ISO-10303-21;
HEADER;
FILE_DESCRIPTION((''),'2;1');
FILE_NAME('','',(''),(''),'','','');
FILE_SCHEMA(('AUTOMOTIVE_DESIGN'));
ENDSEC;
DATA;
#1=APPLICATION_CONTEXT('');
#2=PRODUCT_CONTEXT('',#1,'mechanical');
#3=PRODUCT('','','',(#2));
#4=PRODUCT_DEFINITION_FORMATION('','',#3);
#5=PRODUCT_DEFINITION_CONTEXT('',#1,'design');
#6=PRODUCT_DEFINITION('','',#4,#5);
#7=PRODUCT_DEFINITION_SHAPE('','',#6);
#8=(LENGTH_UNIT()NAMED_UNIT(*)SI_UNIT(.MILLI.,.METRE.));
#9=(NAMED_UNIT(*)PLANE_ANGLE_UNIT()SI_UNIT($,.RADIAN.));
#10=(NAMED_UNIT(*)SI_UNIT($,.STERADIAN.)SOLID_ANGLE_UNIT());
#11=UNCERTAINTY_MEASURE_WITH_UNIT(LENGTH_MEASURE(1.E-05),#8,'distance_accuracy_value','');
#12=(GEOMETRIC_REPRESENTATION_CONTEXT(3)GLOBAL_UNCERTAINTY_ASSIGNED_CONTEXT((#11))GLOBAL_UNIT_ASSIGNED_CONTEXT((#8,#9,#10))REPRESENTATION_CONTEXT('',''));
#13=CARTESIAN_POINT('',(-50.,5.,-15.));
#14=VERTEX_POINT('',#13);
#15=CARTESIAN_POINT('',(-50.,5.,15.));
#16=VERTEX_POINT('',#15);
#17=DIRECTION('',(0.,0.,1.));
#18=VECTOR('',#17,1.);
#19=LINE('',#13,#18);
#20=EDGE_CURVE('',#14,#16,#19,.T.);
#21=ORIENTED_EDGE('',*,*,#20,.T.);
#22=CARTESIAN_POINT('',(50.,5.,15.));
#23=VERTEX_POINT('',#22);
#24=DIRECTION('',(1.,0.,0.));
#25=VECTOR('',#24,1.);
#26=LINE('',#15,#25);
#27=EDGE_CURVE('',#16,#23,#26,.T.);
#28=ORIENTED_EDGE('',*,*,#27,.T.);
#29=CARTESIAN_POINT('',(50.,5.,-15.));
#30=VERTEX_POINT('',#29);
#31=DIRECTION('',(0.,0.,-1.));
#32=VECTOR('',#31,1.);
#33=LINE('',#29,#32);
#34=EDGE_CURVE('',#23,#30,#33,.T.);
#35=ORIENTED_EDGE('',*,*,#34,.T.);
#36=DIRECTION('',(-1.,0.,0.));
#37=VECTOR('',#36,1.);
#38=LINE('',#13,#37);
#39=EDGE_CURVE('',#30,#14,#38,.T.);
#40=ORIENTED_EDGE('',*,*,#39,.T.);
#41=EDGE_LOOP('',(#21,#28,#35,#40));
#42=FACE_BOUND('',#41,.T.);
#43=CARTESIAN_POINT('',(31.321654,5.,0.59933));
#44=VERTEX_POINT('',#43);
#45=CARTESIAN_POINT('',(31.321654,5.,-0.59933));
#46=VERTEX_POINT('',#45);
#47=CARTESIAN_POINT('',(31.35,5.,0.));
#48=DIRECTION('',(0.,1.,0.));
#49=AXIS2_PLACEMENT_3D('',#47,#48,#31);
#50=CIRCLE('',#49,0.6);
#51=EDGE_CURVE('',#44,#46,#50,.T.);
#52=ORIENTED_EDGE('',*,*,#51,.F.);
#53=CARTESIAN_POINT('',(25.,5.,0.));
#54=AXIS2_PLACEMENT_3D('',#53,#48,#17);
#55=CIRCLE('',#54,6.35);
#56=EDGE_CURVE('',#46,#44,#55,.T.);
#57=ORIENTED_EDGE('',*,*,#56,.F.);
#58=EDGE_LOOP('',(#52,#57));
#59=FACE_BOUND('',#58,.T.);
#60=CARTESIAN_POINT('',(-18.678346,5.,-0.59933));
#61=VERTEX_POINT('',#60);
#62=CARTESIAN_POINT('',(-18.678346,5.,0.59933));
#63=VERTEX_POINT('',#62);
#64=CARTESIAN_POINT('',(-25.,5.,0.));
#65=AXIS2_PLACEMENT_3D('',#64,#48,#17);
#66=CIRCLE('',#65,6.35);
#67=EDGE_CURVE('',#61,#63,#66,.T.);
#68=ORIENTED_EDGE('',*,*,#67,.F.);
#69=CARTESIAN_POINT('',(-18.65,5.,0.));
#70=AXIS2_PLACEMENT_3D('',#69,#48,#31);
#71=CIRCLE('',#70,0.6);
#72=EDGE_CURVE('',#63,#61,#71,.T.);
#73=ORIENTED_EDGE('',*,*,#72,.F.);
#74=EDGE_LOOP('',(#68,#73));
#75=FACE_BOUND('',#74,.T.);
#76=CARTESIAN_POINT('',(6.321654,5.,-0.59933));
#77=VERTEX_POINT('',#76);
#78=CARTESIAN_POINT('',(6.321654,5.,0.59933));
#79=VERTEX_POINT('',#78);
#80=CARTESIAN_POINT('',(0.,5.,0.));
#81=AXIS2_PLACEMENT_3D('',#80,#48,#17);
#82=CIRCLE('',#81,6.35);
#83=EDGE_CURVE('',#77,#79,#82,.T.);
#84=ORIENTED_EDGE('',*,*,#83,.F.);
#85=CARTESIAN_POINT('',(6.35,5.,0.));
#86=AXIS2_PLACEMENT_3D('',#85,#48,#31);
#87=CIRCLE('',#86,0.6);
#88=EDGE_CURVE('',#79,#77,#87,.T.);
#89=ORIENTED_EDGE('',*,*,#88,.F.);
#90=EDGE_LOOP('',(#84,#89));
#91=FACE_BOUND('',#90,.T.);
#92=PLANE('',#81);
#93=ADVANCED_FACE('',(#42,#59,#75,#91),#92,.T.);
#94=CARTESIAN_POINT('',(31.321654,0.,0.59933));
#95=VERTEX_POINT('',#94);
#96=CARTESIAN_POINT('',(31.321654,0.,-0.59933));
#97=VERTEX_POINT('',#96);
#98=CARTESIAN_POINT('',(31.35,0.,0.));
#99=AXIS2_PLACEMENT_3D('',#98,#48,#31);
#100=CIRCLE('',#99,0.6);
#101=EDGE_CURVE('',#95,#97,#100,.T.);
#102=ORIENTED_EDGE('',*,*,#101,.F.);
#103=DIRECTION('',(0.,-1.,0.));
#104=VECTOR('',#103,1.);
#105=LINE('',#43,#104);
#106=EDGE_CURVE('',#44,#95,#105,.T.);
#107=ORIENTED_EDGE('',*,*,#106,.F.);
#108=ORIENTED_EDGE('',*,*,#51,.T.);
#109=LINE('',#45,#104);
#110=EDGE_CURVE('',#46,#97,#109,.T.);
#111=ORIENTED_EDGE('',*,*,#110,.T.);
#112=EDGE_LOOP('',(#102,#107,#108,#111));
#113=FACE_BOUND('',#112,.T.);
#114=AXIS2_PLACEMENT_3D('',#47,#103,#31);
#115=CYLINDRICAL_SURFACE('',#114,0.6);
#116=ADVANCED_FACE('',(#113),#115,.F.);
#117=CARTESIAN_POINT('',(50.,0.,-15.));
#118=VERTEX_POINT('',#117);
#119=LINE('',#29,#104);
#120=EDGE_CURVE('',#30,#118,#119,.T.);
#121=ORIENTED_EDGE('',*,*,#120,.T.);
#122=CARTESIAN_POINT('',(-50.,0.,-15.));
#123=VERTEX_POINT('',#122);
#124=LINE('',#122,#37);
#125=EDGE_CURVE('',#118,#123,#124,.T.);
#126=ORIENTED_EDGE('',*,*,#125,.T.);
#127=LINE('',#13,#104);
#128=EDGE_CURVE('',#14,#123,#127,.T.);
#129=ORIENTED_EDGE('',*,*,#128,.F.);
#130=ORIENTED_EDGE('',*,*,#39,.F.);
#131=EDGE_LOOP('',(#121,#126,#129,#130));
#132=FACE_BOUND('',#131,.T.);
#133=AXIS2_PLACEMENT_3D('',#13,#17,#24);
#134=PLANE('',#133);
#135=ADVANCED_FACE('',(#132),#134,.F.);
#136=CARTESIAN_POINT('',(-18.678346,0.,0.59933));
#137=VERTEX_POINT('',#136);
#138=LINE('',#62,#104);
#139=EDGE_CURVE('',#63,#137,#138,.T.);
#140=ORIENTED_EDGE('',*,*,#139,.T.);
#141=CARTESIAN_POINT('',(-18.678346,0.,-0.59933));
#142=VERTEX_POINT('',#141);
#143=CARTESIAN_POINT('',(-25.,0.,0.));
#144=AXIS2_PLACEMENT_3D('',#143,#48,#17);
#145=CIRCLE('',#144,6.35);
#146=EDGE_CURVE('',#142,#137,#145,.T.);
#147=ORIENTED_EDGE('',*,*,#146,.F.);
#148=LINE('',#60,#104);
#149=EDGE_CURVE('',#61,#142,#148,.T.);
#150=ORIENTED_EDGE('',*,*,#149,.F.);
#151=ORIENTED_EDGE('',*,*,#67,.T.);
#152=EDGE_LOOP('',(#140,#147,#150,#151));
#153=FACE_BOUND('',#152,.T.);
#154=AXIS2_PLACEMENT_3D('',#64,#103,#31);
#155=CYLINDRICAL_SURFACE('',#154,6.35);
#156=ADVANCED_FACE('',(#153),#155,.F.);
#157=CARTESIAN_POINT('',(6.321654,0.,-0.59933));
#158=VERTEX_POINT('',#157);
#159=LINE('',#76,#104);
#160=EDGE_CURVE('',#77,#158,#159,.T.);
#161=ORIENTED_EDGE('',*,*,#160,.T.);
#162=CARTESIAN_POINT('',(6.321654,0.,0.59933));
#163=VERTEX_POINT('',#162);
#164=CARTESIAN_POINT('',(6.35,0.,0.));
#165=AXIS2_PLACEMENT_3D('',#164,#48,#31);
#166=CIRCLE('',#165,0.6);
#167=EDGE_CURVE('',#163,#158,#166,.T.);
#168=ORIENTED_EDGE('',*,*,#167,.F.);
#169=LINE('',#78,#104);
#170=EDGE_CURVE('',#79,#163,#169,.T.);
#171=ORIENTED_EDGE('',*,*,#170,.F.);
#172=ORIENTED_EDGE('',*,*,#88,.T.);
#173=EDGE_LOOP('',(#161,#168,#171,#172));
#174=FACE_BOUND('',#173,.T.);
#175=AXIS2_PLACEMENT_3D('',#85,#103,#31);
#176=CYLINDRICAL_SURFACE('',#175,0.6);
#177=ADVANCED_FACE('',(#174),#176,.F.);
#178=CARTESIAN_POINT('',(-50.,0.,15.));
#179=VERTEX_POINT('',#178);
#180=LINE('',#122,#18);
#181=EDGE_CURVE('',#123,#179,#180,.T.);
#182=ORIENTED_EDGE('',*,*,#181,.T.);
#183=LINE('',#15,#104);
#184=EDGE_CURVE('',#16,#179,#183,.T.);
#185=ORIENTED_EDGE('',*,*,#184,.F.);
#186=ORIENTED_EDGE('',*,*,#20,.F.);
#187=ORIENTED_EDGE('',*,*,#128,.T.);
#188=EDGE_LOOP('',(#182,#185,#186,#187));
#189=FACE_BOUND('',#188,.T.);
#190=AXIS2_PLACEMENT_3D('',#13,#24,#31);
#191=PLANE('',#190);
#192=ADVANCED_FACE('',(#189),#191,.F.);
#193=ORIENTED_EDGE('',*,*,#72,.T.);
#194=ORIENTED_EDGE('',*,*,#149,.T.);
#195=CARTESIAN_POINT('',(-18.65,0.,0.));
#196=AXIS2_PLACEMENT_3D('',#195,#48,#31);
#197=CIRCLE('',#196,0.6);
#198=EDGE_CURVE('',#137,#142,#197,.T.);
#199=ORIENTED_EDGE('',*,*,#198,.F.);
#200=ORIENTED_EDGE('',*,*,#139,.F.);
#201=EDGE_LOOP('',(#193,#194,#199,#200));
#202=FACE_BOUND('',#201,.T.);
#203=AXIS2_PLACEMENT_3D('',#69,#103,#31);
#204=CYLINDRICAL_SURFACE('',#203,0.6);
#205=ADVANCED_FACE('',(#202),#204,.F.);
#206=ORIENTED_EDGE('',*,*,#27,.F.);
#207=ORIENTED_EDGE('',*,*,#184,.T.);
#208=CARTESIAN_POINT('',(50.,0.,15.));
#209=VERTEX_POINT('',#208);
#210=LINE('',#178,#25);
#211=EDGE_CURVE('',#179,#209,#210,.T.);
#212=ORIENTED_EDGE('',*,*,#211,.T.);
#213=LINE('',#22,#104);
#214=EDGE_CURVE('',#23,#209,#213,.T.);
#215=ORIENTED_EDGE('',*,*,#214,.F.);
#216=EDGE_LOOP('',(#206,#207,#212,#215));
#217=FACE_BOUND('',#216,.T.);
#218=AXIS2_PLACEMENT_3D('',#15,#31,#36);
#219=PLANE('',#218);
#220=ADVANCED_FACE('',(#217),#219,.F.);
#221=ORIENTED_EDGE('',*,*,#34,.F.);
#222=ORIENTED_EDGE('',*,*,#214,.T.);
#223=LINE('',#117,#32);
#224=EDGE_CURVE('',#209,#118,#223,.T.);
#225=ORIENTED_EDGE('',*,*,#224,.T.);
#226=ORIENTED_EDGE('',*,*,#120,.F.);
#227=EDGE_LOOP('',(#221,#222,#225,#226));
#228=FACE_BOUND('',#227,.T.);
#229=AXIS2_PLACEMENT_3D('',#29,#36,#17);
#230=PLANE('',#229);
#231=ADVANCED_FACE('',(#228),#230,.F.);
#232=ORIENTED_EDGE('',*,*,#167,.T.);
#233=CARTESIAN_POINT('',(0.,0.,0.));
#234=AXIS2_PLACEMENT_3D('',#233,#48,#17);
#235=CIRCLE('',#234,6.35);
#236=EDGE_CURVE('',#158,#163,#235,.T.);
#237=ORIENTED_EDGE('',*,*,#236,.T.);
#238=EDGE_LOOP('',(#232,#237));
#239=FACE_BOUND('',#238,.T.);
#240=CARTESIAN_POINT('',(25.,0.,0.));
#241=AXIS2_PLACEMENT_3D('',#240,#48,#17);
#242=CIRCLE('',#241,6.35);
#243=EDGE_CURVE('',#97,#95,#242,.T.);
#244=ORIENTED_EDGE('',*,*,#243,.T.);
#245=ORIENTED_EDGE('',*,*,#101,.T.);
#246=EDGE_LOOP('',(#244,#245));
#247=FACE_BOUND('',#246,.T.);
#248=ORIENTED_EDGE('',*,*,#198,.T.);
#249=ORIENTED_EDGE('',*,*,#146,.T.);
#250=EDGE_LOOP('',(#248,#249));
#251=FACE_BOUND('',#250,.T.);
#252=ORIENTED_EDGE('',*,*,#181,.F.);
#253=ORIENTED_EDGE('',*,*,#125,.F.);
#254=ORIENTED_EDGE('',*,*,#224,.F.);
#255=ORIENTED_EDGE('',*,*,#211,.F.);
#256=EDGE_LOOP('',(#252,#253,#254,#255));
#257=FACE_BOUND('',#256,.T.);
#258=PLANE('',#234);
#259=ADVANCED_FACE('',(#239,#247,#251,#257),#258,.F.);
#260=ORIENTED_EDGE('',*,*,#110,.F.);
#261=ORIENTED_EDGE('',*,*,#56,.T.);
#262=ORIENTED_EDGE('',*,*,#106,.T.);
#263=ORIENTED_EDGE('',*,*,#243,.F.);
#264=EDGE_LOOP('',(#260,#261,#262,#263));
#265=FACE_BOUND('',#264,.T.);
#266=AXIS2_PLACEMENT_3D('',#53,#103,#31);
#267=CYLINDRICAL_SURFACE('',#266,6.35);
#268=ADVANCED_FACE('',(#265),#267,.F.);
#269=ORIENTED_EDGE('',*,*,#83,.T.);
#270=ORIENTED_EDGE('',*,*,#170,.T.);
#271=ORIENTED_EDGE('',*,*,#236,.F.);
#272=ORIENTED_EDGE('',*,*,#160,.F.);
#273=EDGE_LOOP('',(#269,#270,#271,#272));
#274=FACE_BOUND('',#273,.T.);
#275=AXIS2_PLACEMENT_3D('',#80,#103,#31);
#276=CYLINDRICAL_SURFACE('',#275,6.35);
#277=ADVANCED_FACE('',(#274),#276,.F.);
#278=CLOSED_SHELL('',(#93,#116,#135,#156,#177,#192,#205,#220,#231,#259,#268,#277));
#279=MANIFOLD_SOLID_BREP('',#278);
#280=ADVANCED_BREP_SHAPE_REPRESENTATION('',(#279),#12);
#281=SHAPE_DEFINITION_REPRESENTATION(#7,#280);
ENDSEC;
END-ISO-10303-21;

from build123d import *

# Parameters (mm, degrees)
SKETCH1_W           = 100
SKETCH1_H           = 30
BOSS_EXTRUDE1_DEPTH = 5


with BuildPart() as part:
    # Sketch1 → Boss-Extrude1 (new body)
    with BuildSketch(Plane(origin=(0, 0, 0), x_dir=(1, 0, 0), z_dir=(0, 1, 0))):
        Rectangle(SKETCH1_W, SKETCH1_H)
        with BuildLine():
            ThreePointArc((31.321653543, 0.599330025), (31.95, 0), (31.321653543, -0.599330025))
            ThreePointArc((31.321653543, -0.599330025), (18.65, 0), (31.321653543, 0.599330025))
        make_face(mode=Mode.SUBTRACT)
        with BuildLine():
            ThreePointArc((6.321653543, 0.599330025), (6.95, 0), (6.321653543, -0.599330025))
            ThreePointArc((6.321653543, -0.599330025), (-6.35, 0), (6.321653543, 0.599330025))
        make_face(mode=Mode.SUBTRACT)
        with BuildLine():
            ThreePointArc((-18.678346457, 0.599330025), (-18.05, 0), (-18.678346457, -0.599330025))
            ThreePointArc((-18.678346457, -0.599330025), (-31.35, 0), (-18.678346457, 0.599330025))
        make_face(mode=Mode.SUBTRACT)
    extrude(amount=BOSS_EXTRUDE1_DEPTH)


solid = part.part
